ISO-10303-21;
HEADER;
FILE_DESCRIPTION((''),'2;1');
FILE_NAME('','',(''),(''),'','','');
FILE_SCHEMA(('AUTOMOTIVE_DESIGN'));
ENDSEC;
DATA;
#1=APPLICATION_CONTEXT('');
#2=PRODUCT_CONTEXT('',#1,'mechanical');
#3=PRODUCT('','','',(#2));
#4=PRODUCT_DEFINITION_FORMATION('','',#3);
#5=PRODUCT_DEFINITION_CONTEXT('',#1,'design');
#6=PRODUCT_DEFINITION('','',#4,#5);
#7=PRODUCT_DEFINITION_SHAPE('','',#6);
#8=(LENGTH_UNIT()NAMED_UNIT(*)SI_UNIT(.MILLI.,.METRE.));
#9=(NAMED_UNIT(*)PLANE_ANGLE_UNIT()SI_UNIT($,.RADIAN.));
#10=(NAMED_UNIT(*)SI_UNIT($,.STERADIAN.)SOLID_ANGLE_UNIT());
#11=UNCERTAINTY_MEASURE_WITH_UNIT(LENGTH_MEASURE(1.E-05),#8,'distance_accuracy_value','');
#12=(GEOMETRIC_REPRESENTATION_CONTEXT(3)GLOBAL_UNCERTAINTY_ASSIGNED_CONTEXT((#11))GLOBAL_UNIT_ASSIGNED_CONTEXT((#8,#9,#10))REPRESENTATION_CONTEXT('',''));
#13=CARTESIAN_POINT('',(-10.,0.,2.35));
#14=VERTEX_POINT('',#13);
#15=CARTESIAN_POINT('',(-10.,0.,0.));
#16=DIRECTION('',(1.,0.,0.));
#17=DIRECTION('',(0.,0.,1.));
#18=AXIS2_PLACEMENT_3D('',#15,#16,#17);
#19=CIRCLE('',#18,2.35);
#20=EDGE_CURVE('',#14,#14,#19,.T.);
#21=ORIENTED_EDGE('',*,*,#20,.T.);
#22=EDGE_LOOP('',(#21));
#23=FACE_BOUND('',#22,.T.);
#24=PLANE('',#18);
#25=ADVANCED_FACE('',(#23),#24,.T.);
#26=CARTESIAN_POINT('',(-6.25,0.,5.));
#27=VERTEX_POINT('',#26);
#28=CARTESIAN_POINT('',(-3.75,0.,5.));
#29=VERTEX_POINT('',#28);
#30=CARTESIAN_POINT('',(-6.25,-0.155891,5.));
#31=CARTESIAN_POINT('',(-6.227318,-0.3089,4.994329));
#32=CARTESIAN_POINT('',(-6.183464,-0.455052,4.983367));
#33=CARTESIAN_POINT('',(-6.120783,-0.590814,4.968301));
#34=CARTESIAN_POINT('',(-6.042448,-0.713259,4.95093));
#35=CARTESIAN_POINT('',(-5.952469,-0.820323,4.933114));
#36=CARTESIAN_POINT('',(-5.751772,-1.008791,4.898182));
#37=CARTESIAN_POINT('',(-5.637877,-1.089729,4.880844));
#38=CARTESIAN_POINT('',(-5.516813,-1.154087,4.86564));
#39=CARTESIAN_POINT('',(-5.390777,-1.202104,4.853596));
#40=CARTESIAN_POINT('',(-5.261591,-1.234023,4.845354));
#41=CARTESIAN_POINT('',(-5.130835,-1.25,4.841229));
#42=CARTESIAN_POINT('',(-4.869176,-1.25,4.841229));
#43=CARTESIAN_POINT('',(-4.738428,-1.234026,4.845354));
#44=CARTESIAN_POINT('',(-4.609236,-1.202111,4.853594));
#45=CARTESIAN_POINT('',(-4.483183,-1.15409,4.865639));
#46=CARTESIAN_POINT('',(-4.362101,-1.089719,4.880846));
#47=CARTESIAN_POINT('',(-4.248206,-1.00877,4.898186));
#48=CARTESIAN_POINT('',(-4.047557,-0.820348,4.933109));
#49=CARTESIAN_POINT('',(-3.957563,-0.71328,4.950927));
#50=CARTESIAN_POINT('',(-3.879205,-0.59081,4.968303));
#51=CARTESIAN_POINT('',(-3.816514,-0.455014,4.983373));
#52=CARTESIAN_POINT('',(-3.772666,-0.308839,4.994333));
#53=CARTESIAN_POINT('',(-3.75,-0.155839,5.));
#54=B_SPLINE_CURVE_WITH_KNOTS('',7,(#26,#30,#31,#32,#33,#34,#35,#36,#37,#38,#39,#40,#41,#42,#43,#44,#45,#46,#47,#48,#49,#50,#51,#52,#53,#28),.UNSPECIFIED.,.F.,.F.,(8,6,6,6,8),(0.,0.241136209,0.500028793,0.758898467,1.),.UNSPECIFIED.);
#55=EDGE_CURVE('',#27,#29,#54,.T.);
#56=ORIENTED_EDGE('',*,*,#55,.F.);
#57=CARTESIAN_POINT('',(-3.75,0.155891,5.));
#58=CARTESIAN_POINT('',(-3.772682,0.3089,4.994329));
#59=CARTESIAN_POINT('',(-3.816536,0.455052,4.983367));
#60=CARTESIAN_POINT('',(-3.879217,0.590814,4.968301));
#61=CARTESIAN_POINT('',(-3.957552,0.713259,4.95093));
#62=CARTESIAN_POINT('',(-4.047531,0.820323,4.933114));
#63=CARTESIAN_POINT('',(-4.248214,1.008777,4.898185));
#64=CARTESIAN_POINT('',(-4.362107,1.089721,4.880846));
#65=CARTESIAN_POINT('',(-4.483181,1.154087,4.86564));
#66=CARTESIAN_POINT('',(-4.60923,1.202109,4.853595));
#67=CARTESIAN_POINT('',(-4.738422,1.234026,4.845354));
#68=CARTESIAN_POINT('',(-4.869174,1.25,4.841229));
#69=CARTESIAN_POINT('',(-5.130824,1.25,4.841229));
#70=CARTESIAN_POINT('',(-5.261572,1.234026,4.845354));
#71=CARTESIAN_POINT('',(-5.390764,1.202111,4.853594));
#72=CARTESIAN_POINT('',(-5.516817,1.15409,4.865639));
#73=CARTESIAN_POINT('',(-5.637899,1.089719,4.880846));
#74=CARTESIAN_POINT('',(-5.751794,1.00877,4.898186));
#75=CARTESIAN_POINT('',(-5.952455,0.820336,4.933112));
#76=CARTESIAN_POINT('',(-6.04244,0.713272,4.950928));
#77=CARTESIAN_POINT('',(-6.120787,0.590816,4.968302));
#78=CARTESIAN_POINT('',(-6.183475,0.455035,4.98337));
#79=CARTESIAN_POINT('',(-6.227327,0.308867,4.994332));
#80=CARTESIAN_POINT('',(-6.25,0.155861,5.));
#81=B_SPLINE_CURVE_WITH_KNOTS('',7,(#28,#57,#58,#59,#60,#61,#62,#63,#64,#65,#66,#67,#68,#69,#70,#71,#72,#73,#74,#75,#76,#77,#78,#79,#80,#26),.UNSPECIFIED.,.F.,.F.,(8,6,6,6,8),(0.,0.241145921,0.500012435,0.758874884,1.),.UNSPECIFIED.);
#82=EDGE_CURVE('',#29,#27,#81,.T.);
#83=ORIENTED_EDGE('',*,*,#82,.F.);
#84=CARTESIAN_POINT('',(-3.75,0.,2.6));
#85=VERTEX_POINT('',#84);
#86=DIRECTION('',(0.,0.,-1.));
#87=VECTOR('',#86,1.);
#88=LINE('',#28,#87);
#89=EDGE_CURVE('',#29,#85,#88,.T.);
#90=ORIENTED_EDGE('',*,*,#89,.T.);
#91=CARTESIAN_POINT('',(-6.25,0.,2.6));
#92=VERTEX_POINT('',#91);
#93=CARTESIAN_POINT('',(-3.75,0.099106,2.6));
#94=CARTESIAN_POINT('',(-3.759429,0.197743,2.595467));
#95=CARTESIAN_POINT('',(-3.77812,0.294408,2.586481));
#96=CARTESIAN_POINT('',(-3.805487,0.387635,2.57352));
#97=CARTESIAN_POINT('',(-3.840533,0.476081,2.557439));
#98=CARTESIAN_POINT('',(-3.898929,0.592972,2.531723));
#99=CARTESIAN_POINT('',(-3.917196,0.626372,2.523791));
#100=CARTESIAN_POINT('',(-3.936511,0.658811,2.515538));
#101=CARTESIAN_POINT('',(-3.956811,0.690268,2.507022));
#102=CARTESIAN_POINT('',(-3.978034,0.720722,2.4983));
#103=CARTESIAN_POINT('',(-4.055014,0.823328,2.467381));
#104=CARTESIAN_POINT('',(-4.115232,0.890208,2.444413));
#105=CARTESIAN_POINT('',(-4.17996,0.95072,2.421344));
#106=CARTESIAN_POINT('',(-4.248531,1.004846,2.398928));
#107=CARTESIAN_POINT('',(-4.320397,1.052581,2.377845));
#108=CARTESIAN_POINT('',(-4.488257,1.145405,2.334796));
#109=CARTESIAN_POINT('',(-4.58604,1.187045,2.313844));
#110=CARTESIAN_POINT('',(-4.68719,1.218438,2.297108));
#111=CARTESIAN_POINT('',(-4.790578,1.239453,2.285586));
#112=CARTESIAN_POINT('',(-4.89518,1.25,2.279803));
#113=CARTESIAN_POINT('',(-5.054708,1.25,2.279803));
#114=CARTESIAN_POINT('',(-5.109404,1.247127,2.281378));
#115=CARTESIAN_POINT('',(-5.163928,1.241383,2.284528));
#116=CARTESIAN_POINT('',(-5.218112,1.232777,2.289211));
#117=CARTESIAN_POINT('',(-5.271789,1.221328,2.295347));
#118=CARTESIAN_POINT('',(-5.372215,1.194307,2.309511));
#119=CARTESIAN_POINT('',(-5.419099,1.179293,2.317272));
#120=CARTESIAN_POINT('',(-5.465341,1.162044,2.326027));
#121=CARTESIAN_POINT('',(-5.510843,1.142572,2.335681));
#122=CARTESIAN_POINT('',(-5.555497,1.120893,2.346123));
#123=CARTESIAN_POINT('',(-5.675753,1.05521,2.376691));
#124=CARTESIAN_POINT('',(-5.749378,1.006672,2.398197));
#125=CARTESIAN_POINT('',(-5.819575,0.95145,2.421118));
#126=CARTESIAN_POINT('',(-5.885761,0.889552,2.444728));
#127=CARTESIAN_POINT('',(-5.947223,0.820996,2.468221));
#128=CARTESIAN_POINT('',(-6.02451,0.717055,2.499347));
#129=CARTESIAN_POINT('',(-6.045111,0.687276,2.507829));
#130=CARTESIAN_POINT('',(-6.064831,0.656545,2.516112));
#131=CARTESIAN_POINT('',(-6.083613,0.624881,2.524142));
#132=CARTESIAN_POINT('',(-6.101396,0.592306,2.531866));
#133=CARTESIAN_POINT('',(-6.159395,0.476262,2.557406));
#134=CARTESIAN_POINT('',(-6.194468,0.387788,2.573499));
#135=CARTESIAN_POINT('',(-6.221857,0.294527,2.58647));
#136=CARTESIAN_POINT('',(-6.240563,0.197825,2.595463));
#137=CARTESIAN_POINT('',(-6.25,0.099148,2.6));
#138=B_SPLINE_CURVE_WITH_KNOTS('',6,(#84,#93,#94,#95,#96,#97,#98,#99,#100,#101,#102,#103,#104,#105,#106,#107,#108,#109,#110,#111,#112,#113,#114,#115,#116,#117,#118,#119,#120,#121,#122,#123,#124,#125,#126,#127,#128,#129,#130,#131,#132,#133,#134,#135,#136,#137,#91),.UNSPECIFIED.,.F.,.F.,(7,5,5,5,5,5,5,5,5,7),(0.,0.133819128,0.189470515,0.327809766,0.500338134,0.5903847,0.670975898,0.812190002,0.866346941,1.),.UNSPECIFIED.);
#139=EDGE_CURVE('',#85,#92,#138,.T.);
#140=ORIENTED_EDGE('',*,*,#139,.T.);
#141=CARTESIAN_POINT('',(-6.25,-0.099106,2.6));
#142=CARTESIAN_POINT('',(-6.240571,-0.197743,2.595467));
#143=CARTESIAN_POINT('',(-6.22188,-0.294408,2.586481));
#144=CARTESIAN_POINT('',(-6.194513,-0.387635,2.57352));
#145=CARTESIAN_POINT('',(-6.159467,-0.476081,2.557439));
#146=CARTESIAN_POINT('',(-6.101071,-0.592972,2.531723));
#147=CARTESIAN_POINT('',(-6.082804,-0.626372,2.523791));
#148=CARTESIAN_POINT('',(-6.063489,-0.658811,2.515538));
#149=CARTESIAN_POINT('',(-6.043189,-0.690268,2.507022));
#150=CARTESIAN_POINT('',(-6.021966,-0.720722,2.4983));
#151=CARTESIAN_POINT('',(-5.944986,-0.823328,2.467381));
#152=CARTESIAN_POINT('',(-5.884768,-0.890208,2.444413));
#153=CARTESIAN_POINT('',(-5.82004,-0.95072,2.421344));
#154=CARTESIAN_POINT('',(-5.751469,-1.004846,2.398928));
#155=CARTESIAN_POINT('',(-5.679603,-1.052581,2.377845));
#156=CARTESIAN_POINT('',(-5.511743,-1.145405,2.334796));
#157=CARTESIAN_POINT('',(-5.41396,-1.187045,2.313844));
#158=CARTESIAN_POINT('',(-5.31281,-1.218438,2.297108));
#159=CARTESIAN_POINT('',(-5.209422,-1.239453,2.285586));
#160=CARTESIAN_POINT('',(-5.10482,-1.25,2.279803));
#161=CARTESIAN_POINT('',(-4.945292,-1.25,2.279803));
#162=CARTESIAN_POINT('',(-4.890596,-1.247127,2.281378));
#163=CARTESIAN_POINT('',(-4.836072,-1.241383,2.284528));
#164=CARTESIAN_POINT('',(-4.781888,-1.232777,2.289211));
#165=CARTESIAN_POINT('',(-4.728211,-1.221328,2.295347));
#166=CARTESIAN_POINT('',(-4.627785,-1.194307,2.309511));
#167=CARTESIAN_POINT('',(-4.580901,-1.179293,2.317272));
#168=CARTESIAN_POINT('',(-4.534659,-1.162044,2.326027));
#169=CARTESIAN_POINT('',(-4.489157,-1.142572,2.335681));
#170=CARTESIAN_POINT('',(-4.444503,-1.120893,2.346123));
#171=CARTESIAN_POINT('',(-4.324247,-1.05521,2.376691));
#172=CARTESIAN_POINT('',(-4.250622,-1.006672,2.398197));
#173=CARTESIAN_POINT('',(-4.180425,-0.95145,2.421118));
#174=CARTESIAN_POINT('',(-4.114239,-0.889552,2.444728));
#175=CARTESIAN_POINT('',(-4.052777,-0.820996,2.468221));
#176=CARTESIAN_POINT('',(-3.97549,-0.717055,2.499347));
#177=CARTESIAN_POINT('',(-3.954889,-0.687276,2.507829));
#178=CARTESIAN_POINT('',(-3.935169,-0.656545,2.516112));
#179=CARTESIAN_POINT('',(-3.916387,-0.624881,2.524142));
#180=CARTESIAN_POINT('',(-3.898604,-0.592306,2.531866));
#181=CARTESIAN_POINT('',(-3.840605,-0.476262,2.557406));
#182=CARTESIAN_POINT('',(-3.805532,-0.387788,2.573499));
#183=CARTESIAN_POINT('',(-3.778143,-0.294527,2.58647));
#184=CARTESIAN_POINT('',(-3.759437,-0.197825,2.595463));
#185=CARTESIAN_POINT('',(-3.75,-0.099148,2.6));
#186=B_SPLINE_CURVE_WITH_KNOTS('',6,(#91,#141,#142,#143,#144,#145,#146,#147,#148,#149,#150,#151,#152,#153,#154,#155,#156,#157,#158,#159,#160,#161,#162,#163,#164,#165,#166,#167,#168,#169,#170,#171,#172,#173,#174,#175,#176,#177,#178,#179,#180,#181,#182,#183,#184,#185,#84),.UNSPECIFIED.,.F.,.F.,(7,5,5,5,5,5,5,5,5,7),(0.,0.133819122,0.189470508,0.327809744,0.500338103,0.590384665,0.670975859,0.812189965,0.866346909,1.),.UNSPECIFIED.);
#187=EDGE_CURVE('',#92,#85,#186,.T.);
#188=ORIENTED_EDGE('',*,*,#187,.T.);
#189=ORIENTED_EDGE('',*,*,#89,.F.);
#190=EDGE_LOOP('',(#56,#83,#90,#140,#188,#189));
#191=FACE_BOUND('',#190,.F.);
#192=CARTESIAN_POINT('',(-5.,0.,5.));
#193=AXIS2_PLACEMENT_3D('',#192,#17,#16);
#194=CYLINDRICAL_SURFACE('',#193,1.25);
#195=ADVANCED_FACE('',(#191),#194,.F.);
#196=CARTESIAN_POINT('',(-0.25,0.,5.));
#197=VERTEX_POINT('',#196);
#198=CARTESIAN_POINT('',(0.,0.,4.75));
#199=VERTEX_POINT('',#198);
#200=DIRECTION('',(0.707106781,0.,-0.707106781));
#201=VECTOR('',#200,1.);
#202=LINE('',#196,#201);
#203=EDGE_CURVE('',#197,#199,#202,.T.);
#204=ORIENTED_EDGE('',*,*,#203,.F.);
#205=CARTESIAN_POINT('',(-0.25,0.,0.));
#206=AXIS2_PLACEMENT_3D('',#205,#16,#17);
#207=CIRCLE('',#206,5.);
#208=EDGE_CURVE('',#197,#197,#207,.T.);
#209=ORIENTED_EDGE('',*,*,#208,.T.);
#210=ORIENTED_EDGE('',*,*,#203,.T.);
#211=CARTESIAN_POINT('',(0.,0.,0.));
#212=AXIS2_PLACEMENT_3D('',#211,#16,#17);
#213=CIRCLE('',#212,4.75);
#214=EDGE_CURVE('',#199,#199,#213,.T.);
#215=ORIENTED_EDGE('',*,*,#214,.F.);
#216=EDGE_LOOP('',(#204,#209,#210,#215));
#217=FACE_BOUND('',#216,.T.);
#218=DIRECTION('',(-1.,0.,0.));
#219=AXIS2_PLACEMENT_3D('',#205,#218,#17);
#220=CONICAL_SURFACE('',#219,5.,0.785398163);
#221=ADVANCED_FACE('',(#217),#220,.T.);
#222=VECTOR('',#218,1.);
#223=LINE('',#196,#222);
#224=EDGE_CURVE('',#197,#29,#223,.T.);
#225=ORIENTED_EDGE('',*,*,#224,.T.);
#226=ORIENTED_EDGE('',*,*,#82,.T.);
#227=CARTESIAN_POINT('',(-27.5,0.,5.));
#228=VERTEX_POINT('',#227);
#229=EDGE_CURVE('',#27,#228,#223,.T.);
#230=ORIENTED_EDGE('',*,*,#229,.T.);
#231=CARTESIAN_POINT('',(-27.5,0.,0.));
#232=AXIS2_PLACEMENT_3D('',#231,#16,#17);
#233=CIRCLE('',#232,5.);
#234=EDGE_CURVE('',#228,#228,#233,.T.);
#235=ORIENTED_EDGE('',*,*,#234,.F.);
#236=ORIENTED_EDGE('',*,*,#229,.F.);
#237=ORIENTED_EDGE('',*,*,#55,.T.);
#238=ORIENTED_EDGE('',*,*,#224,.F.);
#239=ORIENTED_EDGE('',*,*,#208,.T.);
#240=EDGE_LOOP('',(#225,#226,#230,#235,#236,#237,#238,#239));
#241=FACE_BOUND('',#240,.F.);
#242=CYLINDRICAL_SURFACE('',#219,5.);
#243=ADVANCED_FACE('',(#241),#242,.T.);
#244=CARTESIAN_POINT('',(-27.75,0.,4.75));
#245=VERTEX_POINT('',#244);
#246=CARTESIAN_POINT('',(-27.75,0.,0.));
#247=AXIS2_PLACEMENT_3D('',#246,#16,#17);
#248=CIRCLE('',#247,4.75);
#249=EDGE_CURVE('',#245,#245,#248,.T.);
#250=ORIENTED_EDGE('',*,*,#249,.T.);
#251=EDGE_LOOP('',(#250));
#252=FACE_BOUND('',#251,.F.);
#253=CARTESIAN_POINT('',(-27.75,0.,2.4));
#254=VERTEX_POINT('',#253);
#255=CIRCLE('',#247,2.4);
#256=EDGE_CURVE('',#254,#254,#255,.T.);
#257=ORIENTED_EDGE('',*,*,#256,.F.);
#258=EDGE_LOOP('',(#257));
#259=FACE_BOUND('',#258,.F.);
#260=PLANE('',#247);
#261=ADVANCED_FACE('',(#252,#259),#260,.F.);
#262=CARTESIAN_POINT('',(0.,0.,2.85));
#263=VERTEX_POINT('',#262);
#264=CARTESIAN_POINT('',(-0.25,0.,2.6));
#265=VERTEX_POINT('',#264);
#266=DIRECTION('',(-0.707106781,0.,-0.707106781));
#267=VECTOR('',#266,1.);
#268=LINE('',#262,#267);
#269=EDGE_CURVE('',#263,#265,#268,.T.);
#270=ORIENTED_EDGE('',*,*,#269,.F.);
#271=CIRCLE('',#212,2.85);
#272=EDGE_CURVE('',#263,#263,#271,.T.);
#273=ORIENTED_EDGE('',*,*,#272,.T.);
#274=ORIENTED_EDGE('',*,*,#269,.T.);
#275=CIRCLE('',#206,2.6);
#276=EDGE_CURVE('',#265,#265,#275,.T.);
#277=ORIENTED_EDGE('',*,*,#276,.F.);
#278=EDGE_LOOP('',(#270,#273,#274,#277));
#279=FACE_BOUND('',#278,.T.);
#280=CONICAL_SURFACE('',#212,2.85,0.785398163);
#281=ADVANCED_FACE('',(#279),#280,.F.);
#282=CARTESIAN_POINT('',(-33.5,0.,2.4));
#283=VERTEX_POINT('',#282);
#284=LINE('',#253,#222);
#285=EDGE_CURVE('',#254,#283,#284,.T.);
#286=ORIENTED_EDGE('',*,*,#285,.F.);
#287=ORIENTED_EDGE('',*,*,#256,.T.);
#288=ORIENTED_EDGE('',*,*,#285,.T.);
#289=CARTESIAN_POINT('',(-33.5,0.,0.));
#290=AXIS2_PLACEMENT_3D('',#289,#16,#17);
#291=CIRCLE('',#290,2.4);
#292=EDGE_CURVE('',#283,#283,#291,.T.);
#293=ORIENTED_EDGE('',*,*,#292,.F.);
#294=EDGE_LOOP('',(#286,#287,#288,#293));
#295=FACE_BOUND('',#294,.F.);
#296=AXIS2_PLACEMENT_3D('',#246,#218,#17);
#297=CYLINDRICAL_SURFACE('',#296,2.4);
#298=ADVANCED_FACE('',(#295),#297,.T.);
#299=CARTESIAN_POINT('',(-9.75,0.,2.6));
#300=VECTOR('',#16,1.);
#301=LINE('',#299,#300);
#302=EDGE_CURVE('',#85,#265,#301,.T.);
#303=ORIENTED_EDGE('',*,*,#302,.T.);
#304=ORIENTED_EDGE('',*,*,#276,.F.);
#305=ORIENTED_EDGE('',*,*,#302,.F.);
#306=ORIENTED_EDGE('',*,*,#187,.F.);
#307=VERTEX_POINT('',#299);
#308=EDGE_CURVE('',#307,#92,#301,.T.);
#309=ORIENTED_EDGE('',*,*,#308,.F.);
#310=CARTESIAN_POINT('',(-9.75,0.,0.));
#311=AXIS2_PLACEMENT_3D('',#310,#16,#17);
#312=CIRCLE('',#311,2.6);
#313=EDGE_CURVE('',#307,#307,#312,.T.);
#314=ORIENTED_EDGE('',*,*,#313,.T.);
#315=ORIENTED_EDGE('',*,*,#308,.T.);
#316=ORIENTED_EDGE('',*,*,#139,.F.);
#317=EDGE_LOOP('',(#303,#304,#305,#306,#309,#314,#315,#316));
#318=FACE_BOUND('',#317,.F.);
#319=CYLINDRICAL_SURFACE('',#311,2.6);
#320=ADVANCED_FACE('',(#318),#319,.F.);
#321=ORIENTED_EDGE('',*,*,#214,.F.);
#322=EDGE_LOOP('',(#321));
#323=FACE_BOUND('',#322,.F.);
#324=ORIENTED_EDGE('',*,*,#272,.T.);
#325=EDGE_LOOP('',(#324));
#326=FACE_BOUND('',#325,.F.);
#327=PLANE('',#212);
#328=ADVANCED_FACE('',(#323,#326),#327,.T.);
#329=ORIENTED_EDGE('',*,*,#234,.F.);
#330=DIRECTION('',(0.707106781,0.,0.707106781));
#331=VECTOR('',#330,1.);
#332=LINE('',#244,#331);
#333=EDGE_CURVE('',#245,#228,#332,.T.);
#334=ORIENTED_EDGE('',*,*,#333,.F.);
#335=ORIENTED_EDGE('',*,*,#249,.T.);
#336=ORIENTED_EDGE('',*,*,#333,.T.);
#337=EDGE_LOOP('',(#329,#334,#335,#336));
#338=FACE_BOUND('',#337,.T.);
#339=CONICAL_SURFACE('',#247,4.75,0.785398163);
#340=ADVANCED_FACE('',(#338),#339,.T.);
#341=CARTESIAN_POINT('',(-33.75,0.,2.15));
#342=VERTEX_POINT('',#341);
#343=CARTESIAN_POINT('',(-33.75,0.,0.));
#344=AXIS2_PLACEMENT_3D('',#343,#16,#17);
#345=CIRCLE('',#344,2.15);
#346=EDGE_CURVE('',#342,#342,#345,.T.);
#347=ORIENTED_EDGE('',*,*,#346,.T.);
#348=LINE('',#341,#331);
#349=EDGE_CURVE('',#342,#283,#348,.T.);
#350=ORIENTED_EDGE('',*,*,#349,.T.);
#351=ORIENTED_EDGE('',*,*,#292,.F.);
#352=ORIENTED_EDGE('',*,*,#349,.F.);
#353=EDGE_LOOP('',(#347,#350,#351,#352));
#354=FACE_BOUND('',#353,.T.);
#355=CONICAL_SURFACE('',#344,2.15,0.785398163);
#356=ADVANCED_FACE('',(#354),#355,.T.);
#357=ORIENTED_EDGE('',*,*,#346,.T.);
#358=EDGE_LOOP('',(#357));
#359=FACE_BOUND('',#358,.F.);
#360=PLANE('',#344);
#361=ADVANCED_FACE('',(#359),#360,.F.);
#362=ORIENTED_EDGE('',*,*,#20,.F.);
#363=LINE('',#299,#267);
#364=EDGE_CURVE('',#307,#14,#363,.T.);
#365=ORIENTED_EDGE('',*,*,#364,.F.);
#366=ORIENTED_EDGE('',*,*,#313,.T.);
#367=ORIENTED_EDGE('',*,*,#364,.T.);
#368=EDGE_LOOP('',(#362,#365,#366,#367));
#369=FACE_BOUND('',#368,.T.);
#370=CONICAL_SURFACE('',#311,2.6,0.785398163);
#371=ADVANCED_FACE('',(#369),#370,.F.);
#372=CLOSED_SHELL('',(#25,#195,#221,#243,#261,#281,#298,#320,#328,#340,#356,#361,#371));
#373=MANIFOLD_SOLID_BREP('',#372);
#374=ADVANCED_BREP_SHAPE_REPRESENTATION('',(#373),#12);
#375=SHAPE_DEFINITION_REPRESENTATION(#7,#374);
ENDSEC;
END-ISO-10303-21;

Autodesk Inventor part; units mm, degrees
ref_plane "YZ Plane" through (0, 0, 0) normal (1, 0, 0) x (0, 1, 0)
ref_plane "XZ Plane" through (0, 0, 0) normal (0, 1, 0) x (-1, 0, 0)
sketch "Sketch2" plane through (0, 0, 0) normal (0, 1, 0) x (-1, 0, 0)
  line L0 (0.25, 5) -> (27.5, 5)
  line L1 (27.75, 4.75) -> (27.75, 2.4)
  line L2 (27.75, 2.4) -> (33.5, 2.4)
  line L3 (33.75, 2.15) -> (33.75, 0)
  line L4 (9.75, 2.6) -> (0.25, 2.6)
  line L5 (0, 2.85) -> (0, 4.75)
  line L6 (10, 2.35) -> (10, 0)
  line L7 (33.75, 2.15) -> (33.5, 2.4)
  line L8 (27.75, 4.75) -> (27.5, 5)
  line L9 (0.25, 5) -> (0, 4.75)
  line L10 (0, 2.85) -> (0.25, 2.6)
  line L11 (9.75, 2.6) -> (10, 2.35)
  line L12 (33.75, 0) -> (10, 0)
  point P0 (0, 0)
  point P1 (0, 5)
  point P2 (27.75, 5)
  point P3 (33.75, 2.4)
  point P4 (10, 2.6)
  point P5 (0, 2.6)
  dimension "d1" = 27.75
  dimension "d2" = 2.6
  dimension "d3" = 6
  dimension "d4" = 5
  dimension "d5" = 0.25
  dimension "d6" = 0.25
  dimension "d7" = 0.25
  dimension "d8" = 0.25
  dimension "d9" = 0.25
  dimension "d10" = 0.25
  dimension "d11" = 0.25
  dimension "d12" = 0.25
  dimension "d13" = 0.25
  dimension "d14" = 0.25
revolve "Revolution1" add sketch "Sketch2" angle 360 about axis through (-33.75, 0, 0) along (1, 0, 0)
ref_plane "Work Plane1" through (0, 0, 5) normal (0, 0, 1) x (1, 0, 0)
sketch "Sketch3" plane through (0, 0, 5) normal (0, 0, 1) x (1, 0, 0)
  circle A0 centre (-5, 0) radius 1.25
  point P0 (0, 0)
  dimension "d17" = 2.5
extrude "Extrusion1" cut sketch "Sketch3" against normal blind 5
thread "Thread1" size "M3x0.5" class "6H" standard "ISO Metric profile" full length
equation "\"d6\" = d5"
equation "\"d7\" = d5"
equation "\"d8\" = d7"
equation "\"d9\" = d5"
equation "\"d10\" = d9"
equation "\"d11\" = d5"
equation "\"d12\" = d11"
equation "\"d14\" = d13"
properties part number "ParrallelShaft"
